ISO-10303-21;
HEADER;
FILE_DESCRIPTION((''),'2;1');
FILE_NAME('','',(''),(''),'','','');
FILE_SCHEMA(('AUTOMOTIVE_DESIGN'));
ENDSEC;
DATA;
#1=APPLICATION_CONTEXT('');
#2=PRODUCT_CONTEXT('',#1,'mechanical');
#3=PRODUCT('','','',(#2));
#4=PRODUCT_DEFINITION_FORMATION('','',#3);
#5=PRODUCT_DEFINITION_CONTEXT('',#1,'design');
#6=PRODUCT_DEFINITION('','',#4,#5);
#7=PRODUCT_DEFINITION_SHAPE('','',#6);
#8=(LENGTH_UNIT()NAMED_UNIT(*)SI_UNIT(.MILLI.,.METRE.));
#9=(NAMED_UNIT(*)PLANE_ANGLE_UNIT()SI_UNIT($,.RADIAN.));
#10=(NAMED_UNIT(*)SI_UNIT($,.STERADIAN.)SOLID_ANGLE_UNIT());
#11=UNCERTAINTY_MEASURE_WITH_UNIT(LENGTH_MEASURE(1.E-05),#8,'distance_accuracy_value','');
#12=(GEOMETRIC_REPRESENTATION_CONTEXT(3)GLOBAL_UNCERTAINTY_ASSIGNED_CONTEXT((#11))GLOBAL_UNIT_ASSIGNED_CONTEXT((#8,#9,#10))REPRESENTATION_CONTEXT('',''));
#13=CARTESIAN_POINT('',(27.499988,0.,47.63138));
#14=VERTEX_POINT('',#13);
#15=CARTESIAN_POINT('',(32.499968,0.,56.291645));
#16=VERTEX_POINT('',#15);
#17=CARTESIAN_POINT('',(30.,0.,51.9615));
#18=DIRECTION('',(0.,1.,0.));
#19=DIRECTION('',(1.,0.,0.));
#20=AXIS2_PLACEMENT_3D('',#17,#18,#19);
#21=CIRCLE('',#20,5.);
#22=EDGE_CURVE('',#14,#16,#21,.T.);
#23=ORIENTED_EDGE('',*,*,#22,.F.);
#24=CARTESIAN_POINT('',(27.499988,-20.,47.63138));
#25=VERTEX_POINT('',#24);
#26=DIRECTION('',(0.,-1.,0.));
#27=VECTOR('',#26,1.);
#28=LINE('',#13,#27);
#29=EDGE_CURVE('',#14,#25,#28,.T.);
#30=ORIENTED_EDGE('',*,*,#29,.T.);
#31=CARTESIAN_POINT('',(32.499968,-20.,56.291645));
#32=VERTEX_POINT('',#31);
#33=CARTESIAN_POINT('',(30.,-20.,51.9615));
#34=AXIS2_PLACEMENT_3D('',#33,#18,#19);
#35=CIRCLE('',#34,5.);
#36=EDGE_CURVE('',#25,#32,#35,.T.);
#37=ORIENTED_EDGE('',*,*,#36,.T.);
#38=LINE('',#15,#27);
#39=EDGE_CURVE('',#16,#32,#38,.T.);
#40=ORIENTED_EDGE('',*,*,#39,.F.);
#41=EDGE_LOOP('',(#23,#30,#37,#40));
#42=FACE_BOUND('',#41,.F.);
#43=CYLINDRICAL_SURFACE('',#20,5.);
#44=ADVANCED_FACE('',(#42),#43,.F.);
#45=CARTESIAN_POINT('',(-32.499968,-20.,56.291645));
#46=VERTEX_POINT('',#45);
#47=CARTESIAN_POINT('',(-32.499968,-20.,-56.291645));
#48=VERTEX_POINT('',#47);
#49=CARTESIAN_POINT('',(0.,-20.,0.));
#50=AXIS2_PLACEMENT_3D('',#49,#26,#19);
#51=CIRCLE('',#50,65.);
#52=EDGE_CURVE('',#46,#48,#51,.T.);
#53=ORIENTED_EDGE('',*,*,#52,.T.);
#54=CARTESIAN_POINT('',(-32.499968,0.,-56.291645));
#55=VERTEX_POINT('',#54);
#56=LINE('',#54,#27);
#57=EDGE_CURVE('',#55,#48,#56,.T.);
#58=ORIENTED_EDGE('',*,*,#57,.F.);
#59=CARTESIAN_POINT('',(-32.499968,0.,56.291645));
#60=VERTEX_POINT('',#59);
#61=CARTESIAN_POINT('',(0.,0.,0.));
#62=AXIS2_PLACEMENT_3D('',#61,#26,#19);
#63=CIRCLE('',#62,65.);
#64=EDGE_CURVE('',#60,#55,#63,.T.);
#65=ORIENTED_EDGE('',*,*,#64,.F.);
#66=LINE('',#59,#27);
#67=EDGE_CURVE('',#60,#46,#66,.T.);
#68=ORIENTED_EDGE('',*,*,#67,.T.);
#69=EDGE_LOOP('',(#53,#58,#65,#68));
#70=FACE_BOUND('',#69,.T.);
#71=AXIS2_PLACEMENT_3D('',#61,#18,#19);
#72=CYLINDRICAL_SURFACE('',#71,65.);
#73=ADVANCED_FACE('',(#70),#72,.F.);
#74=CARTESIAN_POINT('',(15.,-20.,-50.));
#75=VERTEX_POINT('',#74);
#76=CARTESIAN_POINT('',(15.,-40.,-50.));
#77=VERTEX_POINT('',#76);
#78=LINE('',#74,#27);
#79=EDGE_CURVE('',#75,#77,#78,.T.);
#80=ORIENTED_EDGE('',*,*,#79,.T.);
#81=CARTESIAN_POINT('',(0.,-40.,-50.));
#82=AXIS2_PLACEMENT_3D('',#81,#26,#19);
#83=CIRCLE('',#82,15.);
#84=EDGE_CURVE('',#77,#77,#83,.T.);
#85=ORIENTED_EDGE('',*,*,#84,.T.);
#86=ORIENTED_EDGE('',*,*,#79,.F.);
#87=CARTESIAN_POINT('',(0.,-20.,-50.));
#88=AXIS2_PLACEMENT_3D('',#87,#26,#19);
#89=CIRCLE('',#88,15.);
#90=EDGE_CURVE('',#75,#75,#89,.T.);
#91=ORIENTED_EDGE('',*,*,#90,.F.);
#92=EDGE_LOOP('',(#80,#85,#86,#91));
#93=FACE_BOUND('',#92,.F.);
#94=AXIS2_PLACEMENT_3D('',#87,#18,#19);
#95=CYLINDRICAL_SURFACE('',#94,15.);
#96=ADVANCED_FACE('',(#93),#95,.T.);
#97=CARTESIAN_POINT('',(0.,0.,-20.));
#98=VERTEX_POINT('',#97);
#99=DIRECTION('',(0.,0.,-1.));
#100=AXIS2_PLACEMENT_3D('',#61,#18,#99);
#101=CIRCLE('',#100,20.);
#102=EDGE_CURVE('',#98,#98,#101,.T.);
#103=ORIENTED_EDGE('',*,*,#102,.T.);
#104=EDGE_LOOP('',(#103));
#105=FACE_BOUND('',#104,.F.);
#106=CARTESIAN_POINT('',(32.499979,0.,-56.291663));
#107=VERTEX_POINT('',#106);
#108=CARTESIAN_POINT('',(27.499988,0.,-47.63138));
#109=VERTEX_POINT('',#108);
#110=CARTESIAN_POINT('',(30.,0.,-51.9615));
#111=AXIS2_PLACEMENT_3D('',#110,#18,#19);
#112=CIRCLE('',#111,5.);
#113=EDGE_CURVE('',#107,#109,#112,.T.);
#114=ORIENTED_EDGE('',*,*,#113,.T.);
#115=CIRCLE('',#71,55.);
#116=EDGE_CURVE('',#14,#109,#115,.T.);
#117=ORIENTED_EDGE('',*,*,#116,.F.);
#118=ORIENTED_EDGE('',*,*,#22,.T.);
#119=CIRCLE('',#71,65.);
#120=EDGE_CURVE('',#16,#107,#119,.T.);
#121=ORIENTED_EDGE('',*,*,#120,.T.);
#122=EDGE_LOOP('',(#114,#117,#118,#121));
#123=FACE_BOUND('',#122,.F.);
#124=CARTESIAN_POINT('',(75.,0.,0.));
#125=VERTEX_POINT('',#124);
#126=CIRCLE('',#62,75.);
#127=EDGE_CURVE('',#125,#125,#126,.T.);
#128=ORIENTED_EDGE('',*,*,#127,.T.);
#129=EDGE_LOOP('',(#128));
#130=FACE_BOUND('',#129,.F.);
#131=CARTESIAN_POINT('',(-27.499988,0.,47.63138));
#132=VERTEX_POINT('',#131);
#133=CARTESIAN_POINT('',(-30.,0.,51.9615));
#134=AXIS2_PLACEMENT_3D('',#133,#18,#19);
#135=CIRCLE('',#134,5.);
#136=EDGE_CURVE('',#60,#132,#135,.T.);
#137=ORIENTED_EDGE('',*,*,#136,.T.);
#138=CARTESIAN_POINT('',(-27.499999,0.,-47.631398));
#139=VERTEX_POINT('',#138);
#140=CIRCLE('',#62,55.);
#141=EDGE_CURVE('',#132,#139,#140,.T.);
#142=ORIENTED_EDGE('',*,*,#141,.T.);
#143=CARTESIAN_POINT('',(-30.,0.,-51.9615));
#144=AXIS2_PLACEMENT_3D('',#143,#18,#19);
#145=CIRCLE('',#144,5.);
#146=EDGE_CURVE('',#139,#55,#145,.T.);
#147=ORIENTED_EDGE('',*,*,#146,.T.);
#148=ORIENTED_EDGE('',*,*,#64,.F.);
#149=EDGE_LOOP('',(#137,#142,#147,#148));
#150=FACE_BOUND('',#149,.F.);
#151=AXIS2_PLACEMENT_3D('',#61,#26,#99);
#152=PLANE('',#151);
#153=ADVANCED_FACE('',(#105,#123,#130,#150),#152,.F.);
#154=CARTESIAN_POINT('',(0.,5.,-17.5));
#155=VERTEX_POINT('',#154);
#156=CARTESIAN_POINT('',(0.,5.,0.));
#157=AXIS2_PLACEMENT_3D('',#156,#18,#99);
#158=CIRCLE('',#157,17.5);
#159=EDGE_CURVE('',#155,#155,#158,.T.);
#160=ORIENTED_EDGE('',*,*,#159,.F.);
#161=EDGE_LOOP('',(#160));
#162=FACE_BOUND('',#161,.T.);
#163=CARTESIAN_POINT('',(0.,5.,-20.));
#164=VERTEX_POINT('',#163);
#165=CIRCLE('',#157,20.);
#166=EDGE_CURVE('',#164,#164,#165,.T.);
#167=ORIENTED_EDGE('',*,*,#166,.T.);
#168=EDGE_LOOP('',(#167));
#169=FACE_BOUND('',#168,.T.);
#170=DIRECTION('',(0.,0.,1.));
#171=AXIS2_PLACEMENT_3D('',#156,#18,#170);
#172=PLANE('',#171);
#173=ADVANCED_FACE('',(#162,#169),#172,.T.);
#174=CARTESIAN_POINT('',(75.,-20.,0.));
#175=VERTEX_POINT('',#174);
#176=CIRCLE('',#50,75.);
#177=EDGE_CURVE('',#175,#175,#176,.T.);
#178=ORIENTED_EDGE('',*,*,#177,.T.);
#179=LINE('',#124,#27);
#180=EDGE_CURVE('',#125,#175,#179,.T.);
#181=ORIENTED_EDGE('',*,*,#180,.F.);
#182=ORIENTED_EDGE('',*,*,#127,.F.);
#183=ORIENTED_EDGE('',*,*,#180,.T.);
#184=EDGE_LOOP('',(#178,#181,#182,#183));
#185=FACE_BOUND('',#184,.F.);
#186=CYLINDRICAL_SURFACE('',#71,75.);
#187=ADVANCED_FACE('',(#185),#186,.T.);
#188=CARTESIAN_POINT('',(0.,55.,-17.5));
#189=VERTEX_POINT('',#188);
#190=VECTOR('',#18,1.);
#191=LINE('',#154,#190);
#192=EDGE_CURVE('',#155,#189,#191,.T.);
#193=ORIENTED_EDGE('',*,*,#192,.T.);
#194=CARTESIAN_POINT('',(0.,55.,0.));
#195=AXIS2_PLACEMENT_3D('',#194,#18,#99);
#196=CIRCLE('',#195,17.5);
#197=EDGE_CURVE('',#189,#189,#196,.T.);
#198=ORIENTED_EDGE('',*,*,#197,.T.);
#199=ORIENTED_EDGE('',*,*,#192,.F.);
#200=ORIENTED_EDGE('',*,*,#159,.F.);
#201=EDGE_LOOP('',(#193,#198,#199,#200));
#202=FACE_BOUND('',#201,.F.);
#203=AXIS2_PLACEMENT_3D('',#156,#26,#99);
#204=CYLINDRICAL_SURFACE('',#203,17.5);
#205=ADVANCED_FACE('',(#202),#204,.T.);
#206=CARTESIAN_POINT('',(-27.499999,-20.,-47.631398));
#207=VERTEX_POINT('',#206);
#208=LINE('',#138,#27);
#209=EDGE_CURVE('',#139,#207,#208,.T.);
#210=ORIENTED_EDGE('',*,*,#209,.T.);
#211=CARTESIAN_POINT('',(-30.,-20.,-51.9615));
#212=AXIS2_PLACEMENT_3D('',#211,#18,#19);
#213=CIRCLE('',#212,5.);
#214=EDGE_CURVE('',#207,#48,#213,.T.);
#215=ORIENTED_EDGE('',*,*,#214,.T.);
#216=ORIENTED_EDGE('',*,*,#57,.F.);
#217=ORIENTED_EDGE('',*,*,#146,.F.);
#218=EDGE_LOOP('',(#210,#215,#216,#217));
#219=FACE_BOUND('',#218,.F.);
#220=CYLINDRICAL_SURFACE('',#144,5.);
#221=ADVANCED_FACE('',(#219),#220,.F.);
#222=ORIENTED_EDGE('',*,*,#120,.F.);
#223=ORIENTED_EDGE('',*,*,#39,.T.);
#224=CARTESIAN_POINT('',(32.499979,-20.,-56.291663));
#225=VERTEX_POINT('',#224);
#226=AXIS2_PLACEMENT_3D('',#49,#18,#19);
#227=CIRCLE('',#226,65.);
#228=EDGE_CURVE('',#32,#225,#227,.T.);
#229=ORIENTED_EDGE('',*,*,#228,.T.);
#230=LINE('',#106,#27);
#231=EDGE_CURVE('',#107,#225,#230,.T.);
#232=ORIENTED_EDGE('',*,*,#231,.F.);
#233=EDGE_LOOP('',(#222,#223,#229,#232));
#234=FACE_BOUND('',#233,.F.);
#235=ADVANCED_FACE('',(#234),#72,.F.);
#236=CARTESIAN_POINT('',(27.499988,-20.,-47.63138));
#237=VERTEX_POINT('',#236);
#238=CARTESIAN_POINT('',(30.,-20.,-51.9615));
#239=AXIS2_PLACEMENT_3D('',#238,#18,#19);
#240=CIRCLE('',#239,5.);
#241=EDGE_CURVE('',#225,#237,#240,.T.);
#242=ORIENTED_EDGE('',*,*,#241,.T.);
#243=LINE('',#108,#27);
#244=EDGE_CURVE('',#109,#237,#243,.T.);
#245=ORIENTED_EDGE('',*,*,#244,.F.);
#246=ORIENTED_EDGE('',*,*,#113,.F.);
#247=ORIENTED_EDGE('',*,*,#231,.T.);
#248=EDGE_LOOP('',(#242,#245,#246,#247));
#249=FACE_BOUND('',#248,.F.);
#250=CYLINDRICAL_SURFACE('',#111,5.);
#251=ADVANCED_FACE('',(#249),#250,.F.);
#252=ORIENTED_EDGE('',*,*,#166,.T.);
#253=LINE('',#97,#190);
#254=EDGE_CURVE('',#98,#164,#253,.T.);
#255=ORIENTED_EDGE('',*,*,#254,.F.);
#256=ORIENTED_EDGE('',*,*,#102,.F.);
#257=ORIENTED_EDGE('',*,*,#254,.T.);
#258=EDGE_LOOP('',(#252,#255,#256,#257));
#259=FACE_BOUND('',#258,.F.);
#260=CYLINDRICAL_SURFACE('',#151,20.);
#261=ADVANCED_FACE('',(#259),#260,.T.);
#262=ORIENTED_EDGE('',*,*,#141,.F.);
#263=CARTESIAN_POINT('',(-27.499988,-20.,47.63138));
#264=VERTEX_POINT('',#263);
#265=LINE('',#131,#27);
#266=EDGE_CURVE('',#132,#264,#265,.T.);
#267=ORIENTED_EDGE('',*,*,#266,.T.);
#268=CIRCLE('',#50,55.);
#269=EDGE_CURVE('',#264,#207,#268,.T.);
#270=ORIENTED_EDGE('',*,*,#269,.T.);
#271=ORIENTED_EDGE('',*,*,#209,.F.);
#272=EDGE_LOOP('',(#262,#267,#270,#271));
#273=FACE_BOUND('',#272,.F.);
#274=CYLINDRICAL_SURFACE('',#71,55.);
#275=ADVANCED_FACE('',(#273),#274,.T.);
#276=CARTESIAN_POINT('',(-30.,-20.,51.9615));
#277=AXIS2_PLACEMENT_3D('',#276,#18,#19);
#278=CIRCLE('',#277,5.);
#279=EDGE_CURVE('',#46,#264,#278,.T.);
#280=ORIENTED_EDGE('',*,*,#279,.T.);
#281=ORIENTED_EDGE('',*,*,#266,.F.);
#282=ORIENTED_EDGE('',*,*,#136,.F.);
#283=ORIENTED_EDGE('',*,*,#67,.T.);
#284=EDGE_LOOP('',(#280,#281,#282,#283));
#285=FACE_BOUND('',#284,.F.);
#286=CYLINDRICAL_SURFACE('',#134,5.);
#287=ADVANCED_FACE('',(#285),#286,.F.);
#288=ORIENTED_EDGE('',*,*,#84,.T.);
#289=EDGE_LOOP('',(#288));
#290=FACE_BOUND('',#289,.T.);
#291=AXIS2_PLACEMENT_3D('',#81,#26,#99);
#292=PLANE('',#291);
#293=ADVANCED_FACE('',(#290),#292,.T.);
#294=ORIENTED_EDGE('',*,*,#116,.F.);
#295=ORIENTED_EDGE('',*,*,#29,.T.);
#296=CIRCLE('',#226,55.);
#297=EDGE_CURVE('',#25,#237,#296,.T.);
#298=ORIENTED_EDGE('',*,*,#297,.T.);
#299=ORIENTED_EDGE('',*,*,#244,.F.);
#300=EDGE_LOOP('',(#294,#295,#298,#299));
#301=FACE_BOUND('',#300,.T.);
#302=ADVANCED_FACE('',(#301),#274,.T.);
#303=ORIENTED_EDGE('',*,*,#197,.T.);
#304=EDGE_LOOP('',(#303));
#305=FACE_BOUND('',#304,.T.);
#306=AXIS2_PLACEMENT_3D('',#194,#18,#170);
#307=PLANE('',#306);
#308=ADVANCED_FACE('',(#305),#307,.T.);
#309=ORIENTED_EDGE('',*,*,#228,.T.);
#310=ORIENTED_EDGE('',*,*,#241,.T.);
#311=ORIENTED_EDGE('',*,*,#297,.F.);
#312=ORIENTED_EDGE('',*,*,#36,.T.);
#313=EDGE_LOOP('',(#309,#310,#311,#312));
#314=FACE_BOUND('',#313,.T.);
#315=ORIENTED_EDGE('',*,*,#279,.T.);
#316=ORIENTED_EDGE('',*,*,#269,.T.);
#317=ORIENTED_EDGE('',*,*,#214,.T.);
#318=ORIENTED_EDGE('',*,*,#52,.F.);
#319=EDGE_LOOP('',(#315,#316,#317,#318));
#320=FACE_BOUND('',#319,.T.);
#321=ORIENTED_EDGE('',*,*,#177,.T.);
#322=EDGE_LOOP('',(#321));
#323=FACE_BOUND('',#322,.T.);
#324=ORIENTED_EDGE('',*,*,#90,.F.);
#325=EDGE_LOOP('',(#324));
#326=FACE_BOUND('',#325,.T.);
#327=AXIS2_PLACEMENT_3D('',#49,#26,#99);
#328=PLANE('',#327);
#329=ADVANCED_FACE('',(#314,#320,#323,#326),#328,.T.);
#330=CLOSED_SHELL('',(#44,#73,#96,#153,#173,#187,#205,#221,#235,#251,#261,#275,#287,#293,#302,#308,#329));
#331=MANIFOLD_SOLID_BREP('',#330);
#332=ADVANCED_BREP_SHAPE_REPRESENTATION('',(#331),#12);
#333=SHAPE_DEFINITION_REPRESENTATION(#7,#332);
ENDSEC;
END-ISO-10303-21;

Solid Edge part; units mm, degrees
sketch "Sketch1" plane through (0, 0, 0) normal (0, -1, 0) x (1, 0, 0)
  circle A0 centre (0, 0) radius 75
  arc A1 (-32.5, 56.2917) -> (-27.5, 47.6314) centre (-30, 51.9615) cw
  arc A2 (-27.5, 47.6314) -> (-27.5, -47.6314) centre (0, 0) ccw
  arc A3 (-27.5, -47.6314) -> (-32.5, -56.2917) centre (-30, -51.9615) cw
  arc A4 (-32.5, 56.2917) -> (-32.5, -56.2917) centre (0, 0) ccw
  arc A5 (27.5, 47.6314) -> (32.5, 56.2917) centre (30, 51.9615) cw
  arc A6 (32.5, 56.2917) -> (32.5, -56.2917) centre (0, 0) cw
  arc A7 (32.5, -56.2917) -> (27.5, -47.6314) centre (30, -51.9615) cw
  arc A8 (27.5, 47.6314) -> (27.5, -47.6314) centre (0, 0) cw
  dimension "D1" = 150
extrude "ExtrudedProtrusion_1" add sketch "Sketch1" along normal blind 20
sketch "Sketch2" plane through (0, -20, 0) normal (0, -1, 0) x (1, 0, 0)
  circle A0 centre (0, -50) radius 15
extrude "ExtrudedProtrusion_2" add sketch "Sketch2" along normal blind 20
sketch "Sketch3" plane through (0, 0, 0) normal (0, 1, 0) x (0, 0, -1)
  circle A0 centre (0, 0) radius 20
extrude "ExtrudedProtrusion_3" add sketch "Sketch3" along normal blind 5
sketch "Sketch4" plane through (0, 5, 0) normal (0, 1, 0) x (0, 0, -1)
  circle A0 centre (0, 0) radius 17.5
extrude "ExtrudedProtrusion_4" add sketch "Sketch4" along normal blind 50
